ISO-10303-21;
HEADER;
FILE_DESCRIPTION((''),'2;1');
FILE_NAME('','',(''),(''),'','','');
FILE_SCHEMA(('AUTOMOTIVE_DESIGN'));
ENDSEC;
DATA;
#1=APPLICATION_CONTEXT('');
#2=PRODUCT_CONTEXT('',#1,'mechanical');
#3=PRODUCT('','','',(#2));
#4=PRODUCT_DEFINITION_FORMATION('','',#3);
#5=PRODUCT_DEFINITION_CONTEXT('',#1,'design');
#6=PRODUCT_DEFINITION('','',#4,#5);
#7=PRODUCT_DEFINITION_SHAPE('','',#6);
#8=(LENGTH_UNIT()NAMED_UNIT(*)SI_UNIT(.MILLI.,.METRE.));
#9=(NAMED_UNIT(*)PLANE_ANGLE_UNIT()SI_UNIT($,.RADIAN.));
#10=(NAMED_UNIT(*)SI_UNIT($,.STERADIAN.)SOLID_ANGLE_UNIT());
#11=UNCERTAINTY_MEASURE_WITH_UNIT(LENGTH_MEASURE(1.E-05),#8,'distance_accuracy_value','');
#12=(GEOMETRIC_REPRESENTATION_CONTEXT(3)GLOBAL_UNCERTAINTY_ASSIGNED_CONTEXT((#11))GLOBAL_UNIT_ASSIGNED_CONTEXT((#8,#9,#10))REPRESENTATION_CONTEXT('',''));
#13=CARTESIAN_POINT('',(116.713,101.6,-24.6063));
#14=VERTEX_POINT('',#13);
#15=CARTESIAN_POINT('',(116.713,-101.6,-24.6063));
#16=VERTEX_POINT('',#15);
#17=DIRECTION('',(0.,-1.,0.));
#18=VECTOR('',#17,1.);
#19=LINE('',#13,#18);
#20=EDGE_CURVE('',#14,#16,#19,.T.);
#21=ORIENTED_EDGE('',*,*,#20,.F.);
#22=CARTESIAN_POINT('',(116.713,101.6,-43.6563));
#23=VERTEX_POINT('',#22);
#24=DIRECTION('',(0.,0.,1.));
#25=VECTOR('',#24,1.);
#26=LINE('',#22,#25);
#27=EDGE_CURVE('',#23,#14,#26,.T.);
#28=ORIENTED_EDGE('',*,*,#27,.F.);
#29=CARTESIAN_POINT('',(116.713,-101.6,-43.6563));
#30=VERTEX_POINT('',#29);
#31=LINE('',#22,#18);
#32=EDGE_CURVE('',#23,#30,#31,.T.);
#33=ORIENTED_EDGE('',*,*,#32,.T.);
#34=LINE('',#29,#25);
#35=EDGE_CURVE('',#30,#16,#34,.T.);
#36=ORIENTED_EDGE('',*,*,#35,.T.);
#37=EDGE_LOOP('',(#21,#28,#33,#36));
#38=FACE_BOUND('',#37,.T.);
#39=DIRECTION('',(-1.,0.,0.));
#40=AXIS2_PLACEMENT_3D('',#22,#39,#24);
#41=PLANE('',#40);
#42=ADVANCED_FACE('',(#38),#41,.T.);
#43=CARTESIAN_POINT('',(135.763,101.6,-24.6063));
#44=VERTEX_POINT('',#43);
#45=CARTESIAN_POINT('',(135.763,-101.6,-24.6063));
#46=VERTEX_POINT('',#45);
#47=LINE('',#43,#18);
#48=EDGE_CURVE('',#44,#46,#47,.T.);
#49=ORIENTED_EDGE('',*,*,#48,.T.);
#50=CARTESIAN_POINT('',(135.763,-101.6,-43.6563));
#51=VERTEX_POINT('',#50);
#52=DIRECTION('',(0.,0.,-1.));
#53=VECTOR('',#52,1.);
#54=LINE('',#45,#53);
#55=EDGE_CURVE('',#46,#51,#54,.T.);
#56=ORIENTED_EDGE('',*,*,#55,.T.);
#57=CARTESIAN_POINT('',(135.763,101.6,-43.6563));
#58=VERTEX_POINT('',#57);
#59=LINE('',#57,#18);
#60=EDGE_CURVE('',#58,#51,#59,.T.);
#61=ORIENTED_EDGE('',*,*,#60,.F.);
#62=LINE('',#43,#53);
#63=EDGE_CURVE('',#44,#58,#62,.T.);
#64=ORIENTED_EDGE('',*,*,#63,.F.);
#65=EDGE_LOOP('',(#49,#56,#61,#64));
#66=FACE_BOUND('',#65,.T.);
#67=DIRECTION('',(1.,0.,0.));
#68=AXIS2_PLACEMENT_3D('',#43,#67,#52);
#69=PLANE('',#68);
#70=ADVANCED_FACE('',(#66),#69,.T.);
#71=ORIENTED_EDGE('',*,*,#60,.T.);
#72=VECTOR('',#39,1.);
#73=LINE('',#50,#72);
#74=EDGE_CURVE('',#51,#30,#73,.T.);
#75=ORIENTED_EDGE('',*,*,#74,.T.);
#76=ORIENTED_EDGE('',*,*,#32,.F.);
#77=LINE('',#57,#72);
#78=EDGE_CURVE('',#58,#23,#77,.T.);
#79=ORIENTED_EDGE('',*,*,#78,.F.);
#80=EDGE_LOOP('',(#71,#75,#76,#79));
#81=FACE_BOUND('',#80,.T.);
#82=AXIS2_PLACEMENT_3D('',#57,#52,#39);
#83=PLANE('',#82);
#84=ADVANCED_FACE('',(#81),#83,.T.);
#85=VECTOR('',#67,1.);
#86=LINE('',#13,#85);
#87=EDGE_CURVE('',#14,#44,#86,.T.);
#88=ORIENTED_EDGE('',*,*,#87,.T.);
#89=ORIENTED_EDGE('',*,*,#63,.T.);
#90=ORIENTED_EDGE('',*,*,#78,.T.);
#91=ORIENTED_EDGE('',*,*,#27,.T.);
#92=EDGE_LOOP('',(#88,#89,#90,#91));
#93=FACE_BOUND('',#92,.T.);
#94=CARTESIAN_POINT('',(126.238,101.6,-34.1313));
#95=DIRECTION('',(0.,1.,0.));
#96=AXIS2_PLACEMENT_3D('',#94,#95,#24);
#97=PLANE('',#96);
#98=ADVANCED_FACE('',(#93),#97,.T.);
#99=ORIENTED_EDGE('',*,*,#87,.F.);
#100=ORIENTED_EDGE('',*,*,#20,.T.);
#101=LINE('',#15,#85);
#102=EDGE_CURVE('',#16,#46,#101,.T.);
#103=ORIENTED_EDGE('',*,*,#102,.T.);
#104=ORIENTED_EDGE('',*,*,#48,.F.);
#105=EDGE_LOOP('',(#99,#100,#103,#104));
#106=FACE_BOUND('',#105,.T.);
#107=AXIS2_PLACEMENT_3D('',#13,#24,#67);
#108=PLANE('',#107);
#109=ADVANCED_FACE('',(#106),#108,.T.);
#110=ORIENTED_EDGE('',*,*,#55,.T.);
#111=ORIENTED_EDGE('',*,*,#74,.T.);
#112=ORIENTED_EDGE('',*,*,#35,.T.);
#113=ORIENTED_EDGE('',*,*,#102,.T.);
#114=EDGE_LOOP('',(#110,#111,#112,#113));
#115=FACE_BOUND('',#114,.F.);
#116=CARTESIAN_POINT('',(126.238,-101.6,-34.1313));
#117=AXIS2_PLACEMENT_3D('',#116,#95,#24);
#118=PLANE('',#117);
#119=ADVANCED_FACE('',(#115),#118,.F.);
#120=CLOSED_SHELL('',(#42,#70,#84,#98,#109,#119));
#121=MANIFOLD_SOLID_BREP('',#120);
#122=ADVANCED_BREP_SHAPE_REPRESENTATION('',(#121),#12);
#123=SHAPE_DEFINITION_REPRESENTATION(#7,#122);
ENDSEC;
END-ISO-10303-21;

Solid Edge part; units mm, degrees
sketch "Sketch1" plane through (72.644, 101.6, 2.3812) normal (0, -1, 0) x (1, 0, 0)
  line L0 (63.119, -46.0375) -> (44.069, -46.0375)
  line L1 (44.069, -46.0375) -> (44.069, -26.9875)
  line L2 (44.069, -26.9875) -> (63.119, -26.9875)
  line L3 (63.119, -26.9875) -> (63.119, -46.0375)
  dimension "D1" = 19.05
  dimension "D2" = 19.05
extrude "Protrusion1" add sketch "Sketch1" along normal up to vertex (203.2 mm away)
